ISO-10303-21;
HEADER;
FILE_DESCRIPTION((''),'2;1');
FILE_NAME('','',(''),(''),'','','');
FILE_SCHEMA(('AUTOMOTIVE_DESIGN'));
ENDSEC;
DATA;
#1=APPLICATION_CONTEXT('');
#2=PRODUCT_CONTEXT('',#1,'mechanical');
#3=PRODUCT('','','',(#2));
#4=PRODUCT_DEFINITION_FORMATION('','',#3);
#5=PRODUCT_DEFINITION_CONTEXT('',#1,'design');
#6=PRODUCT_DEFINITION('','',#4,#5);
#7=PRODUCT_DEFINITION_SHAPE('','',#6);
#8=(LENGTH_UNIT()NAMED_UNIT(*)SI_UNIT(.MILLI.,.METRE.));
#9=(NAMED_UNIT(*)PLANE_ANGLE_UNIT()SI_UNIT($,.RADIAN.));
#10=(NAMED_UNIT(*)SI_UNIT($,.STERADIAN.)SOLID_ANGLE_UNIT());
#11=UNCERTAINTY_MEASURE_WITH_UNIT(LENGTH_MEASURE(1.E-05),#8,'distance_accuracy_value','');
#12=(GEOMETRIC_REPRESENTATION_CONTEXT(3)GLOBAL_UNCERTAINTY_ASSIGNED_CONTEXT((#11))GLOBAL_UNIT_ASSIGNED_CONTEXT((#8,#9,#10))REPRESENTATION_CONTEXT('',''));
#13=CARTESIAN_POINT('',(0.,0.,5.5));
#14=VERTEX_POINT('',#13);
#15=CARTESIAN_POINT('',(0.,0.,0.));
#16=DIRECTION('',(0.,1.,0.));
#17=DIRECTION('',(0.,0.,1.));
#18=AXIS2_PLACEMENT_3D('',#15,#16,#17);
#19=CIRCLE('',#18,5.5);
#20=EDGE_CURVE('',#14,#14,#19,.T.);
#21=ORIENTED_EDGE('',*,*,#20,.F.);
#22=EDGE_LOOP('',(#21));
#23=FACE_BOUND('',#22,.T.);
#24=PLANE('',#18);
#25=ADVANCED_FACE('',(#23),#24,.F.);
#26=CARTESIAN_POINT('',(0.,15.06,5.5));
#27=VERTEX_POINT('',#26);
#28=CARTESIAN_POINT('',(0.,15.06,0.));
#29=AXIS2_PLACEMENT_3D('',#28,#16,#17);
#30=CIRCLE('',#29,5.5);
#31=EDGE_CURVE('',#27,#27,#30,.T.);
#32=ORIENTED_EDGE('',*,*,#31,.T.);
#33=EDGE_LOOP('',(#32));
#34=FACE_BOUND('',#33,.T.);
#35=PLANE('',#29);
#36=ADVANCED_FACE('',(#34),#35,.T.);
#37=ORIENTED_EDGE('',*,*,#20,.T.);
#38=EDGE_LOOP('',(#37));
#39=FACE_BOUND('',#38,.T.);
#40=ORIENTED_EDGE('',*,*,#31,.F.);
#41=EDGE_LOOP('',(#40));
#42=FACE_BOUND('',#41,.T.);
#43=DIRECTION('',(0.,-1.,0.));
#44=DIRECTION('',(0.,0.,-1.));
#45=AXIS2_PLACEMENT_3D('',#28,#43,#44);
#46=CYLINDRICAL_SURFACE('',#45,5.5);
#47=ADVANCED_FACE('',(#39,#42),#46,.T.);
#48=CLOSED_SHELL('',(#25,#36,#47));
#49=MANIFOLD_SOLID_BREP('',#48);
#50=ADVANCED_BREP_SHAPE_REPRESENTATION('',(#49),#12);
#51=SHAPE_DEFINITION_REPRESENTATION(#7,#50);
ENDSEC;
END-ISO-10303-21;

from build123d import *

# Parameters (mm, degrees)
SZKIC1_R                    = 5.5
DODANIE_WYCI_GNI_CIE1_DEPTH = 15.06


with BuildPart() as part:
    # Szkic1 → Dodanie-wyciągnięcie1 (new body)
    with BuildSketch(Plane(origin=(0, 0, 0), x_dir=(1, 0, 0), z_dir=(0, 1, 0))):
        with Locations(Location((0, 0, 0), (0, 0, 270))):
            Circle(SZKIC1_R)
    extrude(amount=DODANIE_WYCI_GNI_CIE1_DEPTH)


solid = part.part
